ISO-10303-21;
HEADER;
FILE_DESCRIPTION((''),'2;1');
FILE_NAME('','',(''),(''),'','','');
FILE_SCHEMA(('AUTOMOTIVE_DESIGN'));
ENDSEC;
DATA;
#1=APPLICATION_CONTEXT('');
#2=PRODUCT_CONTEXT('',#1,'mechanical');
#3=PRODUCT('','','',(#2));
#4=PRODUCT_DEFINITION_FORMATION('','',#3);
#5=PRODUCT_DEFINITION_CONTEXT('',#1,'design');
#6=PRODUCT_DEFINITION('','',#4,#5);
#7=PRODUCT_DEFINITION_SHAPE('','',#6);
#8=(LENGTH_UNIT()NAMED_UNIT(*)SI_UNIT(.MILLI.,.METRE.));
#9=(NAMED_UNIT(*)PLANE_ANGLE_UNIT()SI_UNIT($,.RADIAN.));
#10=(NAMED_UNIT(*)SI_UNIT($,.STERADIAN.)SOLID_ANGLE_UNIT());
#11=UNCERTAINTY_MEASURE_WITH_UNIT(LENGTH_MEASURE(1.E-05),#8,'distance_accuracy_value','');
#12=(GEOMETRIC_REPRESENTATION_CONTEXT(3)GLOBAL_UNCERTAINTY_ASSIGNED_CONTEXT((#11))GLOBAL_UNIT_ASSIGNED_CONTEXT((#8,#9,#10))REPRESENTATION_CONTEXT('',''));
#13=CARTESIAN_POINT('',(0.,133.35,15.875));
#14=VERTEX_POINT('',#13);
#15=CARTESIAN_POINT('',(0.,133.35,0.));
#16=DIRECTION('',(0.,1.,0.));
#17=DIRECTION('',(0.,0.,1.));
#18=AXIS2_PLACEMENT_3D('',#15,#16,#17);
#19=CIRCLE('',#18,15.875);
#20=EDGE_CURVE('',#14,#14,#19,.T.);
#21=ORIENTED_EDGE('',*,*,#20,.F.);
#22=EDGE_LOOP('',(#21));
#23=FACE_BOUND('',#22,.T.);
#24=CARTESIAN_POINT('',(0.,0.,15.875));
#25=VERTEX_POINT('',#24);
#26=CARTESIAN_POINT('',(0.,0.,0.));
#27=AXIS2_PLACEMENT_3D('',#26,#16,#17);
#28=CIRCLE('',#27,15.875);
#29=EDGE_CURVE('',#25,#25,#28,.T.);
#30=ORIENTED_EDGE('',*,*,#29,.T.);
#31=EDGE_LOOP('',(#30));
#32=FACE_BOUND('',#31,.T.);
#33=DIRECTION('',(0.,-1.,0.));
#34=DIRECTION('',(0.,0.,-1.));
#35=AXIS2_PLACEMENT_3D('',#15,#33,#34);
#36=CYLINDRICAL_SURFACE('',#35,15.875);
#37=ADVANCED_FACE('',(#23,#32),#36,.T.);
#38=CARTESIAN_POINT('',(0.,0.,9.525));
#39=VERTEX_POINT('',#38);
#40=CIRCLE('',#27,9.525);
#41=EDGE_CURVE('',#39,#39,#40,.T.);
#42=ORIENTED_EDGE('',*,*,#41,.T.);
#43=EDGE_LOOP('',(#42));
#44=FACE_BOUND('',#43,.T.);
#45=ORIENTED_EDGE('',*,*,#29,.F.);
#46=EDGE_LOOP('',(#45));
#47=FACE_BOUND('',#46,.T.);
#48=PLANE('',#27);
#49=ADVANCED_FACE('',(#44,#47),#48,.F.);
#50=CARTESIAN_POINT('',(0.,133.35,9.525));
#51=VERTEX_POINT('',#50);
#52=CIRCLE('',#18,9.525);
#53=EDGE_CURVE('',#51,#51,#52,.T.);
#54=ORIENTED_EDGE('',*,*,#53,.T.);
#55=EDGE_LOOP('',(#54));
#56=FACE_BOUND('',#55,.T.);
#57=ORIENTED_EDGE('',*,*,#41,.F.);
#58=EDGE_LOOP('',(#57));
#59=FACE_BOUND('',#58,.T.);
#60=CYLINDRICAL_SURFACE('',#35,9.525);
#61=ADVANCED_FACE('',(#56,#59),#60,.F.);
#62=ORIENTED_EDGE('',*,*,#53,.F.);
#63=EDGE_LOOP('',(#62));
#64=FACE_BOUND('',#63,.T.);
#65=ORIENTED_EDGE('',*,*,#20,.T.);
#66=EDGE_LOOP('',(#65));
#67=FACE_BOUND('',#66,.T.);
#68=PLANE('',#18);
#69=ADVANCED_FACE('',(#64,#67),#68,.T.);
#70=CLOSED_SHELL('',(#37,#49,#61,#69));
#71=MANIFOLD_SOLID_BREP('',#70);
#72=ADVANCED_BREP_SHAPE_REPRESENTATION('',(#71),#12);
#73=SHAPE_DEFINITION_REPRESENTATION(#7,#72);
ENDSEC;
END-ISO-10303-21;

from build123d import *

# Parameters (mm, degrees)
SKETCH1_R           = 15.875
SKETCH1_R_2         = 9.525
BOSS_EXTRUDE1_DEPTH = 133.35


with BuildPart() as part:
    # Sketch1 → Boss-Extrude1 (new body)
    with BuildSketch(Plane(origin=(0, 0, 0), x_dir=(1, 0, 0), z_dir=(0, 1, 0))):
        Circle(SKETCH1_R)
        Circle(SKETCH1_R_2, mode=Mode.SUBTRACT)
    extrude(amount=BOSS_EXTRUDE1_DEPTH)


solid = part.part
